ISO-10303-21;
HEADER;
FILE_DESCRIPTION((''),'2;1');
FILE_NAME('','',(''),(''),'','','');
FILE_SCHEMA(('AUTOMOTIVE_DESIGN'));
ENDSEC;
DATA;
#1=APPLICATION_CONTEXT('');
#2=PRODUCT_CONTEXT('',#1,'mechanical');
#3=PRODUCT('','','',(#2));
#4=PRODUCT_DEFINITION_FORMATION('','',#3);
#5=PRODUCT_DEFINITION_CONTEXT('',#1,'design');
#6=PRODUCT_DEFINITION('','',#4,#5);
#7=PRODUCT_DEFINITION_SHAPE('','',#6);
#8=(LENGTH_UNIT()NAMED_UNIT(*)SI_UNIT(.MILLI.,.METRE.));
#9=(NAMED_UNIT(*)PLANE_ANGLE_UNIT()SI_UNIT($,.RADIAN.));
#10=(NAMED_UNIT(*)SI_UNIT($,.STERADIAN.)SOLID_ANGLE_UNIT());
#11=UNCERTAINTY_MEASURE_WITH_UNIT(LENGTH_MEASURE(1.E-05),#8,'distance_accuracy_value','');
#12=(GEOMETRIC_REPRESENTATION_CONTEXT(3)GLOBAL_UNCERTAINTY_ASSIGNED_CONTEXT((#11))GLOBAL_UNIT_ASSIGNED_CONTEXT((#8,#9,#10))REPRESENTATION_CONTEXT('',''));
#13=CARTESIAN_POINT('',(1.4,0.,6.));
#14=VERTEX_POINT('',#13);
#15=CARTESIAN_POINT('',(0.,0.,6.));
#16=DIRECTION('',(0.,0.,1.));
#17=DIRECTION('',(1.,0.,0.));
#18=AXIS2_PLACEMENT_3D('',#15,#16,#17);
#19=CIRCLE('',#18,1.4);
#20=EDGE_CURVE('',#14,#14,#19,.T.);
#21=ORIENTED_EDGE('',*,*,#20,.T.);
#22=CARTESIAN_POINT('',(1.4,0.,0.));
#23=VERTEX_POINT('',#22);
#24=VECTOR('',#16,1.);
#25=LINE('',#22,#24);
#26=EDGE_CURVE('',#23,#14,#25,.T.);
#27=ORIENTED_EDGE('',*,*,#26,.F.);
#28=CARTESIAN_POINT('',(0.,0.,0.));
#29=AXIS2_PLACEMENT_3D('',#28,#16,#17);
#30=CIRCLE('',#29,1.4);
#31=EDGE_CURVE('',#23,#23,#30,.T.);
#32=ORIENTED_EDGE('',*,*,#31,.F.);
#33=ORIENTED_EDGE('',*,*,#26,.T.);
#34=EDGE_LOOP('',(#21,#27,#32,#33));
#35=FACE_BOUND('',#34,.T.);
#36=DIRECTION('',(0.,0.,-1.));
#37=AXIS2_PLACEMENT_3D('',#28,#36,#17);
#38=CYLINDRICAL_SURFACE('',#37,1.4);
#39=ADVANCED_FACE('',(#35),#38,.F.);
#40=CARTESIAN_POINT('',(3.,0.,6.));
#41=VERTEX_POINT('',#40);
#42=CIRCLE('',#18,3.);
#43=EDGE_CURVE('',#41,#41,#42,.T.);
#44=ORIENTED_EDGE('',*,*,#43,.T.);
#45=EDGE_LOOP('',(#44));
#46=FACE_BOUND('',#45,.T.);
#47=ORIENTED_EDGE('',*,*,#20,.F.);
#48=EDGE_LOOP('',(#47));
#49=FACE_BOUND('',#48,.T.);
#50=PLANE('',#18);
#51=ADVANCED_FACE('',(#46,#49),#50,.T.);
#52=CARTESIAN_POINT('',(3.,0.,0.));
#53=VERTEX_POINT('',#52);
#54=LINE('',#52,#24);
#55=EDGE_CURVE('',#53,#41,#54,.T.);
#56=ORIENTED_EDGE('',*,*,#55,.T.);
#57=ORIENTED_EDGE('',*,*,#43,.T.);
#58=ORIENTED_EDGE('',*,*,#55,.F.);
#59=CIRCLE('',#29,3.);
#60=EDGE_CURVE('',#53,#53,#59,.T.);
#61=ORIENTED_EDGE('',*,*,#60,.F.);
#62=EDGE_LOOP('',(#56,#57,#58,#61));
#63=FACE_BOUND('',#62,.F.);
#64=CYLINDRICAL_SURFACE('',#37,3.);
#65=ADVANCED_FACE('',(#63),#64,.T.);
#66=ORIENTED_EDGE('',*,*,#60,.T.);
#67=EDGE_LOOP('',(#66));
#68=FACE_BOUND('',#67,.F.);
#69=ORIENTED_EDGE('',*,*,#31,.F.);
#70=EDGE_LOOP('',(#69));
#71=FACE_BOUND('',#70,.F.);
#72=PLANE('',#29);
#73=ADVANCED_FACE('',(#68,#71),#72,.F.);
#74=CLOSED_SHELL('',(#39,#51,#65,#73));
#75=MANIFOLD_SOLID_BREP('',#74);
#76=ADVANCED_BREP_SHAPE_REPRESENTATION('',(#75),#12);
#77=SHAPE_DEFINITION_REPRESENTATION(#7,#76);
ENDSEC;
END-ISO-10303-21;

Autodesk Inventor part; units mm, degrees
ref_plane "YZ Plane" through (0, 0, 0) normal (1, 0, 0) x (0, 1, 0)
ref_plane "XZ Plane" through (0, 0, 0) normal (0, 1, 0) x (-1, 0, 0)
ref_plane "XY Plane" through (0, 0, 0) normal (0, 0, 1) x (1, 0, 0)
sketch "スケッチ1" plane through (0, 0, 0) normal (0, 0, 1) x (1, 0, 0)
  circle A0 centre (0, 0) radius 3
  circle A1 centre (0, 0) radius 1.4
  dimension "d0" = 6
  dimension "d1" = 2.8
extrude "押し出し1" add sketch "スケッチ1" along normal blind 6
properties part number "4mm" material "アルミニウム 6061"
